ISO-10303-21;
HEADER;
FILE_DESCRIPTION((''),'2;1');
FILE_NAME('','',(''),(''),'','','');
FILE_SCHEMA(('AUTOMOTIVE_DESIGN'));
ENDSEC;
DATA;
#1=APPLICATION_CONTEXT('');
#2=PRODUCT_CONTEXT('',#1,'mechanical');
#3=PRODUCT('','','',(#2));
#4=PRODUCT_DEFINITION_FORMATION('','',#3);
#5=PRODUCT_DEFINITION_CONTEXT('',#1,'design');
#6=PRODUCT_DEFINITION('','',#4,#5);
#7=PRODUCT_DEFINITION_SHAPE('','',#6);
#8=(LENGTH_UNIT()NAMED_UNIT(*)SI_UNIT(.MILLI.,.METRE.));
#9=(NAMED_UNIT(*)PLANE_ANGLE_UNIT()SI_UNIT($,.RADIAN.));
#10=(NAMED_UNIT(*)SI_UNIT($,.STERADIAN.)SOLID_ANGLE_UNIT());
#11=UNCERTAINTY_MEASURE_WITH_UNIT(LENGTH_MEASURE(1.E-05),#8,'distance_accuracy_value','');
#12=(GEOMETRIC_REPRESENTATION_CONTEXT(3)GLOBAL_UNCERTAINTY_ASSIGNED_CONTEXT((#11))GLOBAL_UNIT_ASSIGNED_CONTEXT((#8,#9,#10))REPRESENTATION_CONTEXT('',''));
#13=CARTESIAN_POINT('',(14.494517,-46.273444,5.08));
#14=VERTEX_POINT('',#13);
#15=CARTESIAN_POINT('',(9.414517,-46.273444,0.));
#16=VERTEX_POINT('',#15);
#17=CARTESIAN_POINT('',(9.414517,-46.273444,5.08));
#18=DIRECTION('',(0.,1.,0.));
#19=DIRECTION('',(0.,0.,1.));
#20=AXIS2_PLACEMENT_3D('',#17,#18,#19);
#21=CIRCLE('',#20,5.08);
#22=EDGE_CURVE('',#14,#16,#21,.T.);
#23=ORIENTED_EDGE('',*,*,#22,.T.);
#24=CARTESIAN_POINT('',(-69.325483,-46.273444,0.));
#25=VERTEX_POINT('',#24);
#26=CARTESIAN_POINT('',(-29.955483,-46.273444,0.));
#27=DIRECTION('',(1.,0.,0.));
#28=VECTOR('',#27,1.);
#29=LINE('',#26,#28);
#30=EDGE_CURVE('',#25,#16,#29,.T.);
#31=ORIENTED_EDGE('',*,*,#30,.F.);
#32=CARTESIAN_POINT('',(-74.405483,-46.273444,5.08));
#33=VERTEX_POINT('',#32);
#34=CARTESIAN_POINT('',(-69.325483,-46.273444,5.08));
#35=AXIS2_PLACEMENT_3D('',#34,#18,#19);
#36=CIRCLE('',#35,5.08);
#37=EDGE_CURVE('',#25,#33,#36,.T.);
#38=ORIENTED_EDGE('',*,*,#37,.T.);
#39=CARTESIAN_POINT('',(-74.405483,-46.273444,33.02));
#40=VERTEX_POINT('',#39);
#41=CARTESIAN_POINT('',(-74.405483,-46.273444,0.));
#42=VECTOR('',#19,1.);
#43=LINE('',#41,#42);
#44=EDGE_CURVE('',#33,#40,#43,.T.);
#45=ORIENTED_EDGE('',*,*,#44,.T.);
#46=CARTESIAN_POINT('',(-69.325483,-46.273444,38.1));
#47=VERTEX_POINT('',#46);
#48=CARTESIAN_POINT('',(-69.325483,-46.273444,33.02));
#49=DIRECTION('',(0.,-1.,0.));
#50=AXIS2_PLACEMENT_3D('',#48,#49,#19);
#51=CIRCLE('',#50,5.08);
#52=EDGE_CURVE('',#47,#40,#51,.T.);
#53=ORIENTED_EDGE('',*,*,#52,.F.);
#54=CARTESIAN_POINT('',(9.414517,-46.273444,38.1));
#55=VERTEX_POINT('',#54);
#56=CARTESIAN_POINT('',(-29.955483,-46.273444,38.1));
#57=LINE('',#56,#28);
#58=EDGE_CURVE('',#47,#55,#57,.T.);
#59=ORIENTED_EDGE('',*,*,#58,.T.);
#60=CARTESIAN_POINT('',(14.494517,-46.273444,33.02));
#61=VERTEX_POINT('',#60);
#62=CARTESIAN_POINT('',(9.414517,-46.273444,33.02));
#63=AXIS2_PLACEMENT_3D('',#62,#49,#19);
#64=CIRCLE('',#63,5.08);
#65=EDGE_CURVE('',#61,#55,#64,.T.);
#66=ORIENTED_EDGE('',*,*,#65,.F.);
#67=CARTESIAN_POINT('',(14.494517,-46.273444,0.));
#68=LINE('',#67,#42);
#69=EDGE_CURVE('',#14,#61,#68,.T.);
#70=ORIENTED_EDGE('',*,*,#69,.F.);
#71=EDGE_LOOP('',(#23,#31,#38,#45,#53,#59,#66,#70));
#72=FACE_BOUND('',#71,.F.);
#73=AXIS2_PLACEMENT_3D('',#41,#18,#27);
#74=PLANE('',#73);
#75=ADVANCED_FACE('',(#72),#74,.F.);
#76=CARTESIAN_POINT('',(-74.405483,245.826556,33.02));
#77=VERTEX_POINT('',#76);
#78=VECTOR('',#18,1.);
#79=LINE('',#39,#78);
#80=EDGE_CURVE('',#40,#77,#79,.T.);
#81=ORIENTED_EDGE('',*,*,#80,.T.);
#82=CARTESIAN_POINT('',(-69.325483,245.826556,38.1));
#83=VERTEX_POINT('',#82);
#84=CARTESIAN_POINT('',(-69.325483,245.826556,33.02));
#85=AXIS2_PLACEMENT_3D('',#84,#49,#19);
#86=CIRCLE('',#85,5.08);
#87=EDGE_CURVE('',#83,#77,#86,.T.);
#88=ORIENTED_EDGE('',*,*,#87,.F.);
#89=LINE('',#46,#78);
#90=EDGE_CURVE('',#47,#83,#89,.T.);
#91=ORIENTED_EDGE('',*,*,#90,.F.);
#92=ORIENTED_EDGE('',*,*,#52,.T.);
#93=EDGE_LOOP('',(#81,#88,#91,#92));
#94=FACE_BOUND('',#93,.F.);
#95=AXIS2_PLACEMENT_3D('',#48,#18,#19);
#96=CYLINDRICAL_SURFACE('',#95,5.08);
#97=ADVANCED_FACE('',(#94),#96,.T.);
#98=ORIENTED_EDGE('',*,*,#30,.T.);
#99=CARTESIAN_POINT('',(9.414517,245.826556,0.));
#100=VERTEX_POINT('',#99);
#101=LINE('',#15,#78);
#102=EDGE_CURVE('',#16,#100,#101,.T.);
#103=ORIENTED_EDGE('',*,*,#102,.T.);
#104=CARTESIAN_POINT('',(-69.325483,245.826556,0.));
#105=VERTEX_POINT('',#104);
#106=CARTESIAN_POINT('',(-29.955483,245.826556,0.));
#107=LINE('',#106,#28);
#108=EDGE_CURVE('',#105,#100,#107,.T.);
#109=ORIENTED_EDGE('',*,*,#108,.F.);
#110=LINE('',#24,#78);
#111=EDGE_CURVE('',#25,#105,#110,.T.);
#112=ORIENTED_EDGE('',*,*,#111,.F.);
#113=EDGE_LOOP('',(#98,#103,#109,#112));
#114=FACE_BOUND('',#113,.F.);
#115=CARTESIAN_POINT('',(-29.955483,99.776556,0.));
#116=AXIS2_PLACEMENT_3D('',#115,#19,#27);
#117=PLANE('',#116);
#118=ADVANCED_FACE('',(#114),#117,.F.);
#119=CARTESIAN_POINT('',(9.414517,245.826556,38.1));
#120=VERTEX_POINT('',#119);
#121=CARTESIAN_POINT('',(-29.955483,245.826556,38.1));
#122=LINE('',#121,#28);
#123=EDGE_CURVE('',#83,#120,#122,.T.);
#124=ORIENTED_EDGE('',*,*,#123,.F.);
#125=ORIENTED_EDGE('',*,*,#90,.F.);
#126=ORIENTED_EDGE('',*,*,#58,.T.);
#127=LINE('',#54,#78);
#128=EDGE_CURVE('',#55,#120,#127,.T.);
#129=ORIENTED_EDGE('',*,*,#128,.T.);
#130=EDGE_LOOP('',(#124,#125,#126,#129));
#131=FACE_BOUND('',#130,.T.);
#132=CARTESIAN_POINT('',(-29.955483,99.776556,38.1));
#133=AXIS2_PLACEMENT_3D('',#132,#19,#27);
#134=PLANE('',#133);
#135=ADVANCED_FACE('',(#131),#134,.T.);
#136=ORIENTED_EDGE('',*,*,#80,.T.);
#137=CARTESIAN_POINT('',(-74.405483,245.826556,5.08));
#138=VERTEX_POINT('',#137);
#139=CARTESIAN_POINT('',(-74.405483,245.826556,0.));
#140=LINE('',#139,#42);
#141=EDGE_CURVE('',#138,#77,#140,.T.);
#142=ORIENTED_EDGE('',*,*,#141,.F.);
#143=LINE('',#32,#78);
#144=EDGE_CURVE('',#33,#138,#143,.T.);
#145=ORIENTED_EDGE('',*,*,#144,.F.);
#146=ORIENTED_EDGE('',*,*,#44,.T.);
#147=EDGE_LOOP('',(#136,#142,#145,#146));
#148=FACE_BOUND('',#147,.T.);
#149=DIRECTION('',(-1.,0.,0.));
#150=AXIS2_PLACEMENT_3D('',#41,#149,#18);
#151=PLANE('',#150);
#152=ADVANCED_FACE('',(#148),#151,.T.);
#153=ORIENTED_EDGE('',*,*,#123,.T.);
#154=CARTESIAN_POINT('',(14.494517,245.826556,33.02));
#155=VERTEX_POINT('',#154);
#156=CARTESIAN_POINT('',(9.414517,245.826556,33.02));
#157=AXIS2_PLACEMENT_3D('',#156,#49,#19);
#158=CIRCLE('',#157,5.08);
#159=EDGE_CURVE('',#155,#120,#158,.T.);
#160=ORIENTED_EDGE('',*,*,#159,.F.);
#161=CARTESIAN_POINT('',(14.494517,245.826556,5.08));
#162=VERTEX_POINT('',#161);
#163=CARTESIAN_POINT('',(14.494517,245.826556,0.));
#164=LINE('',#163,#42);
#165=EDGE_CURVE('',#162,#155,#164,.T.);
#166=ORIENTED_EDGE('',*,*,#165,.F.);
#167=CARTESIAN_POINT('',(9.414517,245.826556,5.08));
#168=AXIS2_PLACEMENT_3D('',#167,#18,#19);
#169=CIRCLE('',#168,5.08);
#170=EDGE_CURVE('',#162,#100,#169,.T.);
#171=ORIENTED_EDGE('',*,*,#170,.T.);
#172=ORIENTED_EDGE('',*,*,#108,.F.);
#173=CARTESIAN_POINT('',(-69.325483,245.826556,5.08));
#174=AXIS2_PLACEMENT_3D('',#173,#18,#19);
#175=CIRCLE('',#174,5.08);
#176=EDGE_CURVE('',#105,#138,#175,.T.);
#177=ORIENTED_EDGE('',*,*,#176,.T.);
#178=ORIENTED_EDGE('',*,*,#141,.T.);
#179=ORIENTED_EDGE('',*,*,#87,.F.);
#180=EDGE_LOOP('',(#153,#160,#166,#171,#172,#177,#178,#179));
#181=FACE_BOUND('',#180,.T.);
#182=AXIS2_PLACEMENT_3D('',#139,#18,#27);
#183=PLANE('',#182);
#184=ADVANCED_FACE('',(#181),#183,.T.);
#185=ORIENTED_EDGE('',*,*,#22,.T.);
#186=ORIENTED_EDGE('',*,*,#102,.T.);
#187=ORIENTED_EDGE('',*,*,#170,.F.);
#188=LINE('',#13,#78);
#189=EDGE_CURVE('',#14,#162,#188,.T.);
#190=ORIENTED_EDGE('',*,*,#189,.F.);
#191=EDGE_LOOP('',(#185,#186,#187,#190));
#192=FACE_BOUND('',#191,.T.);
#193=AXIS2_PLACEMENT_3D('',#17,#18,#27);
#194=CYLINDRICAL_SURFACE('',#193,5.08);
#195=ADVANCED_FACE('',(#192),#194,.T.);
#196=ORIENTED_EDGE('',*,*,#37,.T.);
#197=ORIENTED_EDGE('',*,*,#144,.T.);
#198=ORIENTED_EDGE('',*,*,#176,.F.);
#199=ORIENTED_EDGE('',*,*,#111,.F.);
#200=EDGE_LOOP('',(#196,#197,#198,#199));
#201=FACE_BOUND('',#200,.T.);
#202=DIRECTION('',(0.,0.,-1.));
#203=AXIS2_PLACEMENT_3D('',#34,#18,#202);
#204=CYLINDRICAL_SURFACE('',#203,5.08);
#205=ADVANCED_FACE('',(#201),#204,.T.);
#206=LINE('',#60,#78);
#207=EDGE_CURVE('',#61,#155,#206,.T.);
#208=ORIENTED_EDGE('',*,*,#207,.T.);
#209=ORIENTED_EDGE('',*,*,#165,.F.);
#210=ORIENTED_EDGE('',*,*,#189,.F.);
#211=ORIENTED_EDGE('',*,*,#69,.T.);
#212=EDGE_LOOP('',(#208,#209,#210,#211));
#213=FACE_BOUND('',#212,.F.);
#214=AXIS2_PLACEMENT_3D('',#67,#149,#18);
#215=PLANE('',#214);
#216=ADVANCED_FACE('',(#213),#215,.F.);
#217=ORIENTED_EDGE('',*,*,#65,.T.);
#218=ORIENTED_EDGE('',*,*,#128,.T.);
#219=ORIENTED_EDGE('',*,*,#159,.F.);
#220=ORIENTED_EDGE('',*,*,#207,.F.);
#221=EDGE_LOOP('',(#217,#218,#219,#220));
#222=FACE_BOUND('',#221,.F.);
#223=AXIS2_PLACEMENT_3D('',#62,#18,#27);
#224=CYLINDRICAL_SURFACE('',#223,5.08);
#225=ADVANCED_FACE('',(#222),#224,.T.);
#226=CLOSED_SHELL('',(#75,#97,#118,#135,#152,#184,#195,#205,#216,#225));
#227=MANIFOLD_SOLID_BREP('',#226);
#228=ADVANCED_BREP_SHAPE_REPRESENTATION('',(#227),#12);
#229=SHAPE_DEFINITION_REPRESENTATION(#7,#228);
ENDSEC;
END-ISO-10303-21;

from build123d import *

# Parameters (mm, degrees)
F0_W     = 88.9
F0_H     = 292.1
F1_DEPTH = 38.1
F2_R     = 5.08
F3_R     = 5.08


with BuildPart() as f1:
    # F0 (on Top) → F1 (new body)
    with BuildSketch(Plane.XY):
        with Locations((-29.955483, 99.776556)):
            Rectangle(F0_W, F0_H)
    extrude(amount=F1_DEPTH)

    # F2
    f2_edges = [f1.edges().sort_by_distance(p)[0] for p in [
        (14.494517, 99.776556, 38.1),
    ]]
    fillet(f2_edges, radius=F2_R)

    # F3
    f3_edges = [f1.edges().sort_by_distance(p)[0] for p in [
        (-74.405483, 99.776556, 38.1),
        (14.494517, 99.776556, 0),
        (-74.405483, 99.776556, 0),
    ]]
    fillet(f3_edges, radius=F3_R)


solid = f1.part
